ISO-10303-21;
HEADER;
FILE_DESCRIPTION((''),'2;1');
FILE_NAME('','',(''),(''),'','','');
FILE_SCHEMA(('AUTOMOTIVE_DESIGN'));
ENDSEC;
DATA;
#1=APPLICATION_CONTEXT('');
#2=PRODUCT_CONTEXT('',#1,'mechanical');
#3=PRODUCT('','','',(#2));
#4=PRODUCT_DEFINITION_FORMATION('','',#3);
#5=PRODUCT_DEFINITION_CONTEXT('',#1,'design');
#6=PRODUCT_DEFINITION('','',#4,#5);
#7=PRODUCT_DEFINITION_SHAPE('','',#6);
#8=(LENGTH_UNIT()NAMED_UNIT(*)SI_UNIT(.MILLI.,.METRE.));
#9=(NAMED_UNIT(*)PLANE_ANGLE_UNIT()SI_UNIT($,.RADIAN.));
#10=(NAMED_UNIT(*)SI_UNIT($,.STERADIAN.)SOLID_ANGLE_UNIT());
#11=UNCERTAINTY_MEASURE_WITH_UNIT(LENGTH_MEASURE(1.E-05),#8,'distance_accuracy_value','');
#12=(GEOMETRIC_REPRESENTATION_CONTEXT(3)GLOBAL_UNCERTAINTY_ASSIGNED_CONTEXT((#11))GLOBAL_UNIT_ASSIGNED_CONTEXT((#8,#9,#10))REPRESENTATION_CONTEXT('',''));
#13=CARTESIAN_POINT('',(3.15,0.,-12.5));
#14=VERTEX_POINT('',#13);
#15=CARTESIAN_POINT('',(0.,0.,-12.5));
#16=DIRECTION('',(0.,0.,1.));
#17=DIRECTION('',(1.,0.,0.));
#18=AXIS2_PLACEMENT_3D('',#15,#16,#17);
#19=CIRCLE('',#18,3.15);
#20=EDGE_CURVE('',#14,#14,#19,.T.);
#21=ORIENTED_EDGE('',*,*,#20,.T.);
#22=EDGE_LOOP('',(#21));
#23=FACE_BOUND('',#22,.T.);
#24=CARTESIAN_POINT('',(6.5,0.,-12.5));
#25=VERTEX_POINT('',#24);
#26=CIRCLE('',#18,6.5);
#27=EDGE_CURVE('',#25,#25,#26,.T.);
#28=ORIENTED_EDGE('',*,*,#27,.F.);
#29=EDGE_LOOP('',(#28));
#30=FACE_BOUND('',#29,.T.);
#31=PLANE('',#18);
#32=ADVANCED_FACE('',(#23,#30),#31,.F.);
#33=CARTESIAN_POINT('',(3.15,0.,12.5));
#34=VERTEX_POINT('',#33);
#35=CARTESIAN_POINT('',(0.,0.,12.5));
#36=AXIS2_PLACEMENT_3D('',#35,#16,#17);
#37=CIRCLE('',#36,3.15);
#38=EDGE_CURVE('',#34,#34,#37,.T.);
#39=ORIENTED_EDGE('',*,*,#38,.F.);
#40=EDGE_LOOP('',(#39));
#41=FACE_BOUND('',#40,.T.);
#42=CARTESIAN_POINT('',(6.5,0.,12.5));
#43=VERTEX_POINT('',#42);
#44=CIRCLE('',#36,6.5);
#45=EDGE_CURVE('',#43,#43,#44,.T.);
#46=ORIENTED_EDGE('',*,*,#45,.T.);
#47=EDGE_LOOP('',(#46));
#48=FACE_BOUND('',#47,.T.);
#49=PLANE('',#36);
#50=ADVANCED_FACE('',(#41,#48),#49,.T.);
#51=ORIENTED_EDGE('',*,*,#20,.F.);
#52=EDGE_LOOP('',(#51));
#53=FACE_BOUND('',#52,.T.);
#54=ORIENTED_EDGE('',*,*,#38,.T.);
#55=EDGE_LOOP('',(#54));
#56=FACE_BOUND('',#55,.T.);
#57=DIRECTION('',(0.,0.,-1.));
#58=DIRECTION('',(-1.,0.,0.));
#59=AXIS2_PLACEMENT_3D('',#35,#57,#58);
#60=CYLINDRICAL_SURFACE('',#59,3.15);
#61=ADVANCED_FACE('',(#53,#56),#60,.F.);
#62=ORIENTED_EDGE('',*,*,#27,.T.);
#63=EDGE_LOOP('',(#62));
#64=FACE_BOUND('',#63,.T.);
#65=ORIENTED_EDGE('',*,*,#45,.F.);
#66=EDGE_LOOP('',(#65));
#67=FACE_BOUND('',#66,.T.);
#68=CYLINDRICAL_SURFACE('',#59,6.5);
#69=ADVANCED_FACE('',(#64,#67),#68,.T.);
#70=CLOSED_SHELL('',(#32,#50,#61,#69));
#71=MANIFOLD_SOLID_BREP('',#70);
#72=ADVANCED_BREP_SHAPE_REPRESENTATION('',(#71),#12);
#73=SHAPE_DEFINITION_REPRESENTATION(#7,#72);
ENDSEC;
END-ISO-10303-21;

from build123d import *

# Parameters (mm, degrees)
EXTRUDE1_DEPTH      = 12.5
EXTRUDE1_DEPTH_BACK = 12.5
SKETCH1_R           = 6.5
SKETCH1_R_2         = 3.15


with BuildPart() as part:
    # Sketch1 → Extrude1 (new, two sides: drawn at the far end of the back side and taken through both)
    with BuildSketch(Plane.XY.offset(-EXTRUDE1_DEPTH_BACK)):
        Circle(SKETCH1_R)
        Circle(SKETCH1_R_2, mode=Mode.SUBTRACT)
    extrude(amount=EXTRUDE1_DEPTH + EXTRUDE1_DEPTH_BACK)


solid = part.part
